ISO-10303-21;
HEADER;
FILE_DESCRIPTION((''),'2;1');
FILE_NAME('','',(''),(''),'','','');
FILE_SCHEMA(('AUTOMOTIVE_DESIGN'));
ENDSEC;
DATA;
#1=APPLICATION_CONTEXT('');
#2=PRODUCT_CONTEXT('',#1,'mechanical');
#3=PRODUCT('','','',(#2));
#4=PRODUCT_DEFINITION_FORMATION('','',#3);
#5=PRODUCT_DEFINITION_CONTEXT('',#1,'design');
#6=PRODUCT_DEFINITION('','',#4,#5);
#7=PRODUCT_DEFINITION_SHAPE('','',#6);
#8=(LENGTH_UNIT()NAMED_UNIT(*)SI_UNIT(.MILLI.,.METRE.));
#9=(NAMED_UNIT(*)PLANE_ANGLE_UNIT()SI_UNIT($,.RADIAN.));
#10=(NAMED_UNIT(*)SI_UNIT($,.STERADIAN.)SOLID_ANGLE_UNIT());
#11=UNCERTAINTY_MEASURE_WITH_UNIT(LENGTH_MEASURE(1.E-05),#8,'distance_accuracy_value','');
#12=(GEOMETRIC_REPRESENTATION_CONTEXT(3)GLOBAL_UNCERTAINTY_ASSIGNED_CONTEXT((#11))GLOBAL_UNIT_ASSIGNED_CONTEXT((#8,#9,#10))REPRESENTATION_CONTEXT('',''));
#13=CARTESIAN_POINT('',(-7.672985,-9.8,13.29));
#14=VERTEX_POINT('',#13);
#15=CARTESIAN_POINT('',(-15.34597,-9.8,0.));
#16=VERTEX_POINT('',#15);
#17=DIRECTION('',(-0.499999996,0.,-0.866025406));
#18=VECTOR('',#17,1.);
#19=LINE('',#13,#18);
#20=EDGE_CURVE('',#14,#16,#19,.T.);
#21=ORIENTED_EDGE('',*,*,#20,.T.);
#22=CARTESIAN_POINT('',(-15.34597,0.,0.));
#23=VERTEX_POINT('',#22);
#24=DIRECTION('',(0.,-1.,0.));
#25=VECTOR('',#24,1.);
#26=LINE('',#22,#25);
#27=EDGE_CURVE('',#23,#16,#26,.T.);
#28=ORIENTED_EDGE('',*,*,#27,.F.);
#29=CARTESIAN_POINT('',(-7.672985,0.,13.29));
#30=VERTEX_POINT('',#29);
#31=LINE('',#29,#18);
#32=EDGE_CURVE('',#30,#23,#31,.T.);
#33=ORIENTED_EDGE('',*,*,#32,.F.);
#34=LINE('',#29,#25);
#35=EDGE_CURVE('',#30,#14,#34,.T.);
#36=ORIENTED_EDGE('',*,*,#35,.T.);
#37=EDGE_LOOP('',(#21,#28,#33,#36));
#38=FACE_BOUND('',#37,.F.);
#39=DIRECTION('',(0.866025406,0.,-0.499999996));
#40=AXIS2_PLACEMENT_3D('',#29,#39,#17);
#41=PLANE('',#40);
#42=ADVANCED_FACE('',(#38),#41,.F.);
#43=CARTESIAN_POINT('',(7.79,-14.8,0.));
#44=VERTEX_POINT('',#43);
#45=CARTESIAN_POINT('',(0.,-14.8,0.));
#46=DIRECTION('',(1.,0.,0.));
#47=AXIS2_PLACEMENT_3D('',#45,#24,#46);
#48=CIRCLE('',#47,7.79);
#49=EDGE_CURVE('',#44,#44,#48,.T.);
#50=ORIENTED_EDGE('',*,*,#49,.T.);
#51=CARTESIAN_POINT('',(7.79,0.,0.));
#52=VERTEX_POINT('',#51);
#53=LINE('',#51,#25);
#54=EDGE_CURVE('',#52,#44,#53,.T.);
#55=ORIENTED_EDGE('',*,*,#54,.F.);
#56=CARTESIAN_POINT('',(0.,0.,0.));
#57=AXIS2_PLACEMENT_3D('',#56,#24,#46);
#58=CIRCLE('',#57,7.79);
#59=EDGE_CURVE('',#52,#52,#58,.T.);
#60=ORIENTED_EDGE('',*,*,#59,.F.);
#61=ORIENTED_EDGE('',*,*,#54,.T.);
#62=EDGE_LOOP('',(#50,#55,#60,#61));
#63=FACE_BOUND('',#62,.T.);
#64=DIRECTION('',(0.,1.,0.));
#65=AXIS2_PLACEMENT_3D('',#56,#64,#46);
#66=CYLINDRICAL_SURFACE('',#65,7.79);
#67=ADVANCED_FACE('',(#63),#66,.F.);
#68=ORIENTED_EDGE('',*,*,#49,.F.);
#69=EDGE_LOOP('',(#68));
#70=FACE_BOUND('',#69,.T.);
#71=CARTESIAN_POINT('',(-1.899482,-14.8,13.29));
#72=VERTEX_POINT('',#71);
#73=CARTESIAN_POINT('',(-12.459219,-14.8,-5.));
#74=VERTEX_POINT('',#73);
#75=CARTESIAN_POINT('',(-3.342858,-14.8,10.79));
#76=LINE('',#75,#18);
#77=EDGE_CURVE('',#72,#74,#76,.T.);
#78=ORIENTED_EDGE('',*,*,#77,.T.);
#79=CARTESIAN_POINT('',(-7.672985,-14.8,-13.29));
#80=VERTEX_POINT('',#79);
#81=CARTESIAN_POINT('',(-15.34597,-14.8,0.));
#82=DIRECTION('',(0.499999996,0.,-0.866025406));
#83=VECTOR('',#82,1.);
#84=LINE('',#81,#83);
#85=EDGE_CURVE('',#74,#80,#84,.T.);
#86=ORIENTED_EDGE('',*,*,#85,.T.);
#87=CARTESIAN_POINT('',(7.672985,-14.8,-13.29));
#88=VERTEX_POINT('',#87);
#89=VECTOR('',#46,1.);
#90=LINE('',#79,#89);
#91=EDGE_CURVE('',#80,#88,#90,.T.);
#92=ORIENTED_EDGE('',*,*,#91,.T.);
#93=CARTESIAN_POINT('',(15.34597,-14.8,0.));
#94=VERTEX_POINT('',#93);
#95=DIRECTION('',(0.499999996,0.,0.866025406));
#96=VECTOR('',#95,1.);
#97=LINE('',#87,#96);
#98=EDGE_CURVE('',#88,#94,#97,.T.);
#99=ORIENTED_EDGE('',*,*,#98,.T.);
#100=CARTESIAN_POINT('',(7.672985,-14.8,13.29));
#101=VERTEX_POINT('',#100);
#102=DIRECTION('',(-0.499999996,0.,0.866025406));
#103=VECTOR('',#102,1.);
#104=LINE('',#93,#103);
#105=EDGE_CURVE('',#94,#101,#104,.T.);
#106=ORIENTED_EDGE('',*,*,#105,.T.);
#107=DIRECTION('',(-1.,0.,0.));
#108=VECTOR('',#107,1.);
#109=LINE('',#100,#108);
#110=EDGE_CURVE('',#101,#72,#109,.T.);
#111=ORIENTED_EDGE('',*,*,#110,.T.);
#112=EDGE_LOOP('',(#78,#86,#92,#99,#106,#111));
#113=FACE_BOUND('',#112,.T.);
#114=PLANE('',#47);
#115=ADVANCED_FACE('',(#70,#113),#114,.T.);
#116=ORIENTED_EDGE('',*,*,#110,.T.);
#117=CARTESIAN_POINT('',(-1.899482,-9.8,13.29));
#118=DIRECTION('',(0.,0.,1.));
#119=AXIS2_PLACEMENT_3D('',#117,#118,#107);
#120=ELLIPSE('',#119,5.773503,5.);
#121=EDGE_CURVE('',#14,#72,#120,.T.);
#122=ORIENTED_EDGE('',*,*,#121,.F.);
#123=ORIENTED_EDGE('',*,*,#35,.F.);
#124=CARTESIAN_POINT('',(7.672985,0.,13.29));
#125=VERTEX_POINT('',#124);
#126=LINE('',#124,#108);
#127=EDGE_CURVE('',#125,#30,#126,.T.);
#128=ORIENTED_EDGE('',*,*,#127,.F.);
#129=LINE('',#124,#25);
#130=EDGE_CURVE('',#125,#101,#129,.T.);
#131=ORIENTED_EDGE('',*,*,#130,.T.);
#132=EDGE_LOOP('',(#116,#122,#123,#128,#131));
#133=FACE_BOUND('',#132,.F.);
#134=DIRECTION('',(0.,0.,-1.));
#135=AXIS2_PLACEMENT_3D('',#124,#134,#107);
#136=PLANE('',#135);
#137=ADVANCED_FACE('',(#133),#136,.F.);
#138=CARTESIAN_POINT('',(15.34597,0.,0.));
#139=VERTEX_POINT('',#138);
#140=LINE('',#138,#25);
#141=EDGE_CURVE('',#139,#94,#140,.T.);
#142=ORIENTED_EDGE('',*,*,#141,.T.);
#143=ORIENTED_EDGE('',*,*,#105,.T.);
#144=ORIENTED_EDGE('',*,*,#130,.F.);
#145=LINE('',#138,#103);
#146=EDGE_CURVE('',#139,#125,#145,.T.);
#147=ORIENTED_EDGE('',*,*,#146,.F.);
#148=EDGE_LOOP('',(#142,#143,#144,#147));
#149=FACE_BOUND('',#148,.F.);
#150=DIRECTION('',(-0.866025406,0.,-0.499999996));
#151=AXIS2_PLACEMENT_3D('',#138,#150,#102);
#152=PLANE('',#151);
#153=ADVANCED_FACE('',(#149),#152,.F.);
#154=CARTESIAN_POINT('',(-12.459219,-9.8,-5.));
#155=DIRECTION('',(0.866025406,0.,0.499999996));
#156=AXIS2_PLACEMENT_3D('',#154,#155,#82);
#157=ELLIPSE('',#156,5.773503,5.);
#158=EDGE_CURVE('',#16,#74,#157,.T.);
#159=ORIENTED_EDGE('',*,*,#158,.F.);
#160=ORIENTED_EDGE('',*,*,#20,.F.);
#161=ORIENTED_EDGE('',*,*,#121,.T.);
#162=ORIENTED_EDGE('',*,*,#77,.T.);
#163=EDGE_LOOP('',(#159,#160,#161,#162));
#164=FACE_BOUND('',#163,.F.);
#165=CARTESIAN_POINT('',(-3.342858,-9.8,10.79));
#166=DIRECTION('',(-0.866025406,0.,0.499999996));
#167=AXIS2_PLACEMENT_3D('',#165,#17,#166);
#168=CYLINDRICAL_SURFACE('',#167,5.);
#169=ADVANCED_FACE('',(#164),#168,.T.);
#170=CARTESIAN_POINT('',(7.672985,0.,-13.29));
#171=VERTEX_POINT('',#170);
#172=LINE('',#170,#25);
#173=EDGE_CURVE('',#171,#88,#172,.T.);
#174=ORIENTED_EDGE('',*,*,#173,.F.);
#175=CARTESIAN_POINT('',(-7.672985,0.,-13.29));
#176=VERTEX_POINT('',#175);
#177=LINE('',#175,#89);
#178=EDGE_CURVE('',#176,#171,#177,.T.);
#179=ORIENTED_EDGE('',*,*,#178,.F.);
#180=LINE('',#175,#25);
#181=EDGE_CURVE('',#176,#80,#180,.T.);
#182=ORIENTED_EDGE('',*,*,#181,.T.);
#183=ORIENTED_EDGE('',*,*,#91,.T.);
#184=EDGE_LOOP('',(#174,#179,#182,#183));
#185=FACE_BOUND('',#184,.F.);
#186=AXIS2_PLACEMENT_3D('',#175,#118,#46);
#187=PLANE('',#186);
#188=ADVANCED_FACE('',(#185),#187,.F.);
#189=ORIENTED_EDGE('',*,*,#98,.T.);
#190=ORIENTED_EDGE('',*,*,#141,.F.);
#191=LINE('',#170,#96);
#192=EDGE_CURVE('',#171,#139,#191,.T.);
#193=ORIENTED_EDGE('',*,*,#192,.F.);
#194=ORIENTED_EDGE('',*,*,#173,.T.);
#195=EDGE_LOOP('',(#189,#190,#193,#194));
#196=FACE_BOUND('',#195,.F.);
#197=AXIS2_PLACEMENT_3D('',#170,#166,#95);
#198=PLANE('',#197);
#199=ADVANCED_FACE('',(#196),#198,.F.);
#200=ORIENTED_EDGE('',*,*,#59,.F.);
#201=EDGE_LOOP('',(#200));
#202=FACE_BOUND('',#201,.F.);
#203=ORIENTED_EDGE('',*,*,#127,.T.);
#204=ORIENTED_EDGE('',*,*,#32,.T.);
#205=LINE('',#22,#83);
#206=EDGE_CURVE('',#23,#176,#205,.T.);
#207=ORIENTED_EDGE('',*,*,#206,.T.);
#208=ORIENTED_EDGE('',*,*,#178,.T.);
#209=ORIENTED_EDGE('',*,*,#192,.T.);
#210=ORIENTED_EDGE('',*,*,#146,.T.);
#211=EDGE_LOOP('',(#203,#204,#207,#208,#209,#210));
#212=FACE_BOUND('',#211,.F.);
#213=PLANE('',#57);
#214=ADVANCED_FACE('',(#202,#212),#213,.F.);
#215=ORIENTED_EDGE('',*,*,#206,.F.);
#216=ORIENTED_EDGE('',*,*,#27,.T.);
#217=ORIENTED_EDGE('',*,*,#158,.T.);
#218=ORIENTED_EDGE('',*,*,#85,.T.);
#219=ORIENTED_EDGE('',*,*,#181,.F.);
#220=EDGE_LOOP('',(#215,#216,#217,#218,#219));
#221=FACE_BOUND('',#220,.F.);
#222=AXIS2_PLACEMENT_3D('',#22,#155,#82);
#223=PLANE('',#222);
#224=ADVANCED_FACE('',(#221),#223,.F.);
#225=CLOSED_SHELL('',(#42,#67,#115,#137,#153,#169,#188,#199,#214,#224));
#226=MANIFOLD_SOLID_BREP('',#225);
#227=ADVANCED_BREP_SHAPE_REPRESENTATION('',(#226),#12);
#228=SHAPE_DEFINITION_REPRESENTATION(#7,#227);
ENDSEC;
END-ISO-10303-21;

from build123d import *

# Parameters (mm, degrees)
F0_R     = 7.79
F1_DEPTH = 14.8
F2_R     = 5


with BuildPart() as f1:
    # F0 (on Front) → F1 (new body)
    with BuildSketch(Plane.XZ):
        Polygon((7.672985, 13.29), (-7.672985, 13.29), (-15.34597, 0), (-7.672985, -13.29), (7.672985, -13.29), (15.34597, 0), align=None)
        Circle(F0_R, mode=Mode.SUBTRACT)
    extrude(amount=F1_DEPTH)

    # F2
    f2_edges = [f1.edges().sort_by_distance(p)[0] for p in [
        (-11.509478, -14.8, 6.645),
    ]]
    fillet(f2_edges, radius=F2_R)


solid = f1.part
